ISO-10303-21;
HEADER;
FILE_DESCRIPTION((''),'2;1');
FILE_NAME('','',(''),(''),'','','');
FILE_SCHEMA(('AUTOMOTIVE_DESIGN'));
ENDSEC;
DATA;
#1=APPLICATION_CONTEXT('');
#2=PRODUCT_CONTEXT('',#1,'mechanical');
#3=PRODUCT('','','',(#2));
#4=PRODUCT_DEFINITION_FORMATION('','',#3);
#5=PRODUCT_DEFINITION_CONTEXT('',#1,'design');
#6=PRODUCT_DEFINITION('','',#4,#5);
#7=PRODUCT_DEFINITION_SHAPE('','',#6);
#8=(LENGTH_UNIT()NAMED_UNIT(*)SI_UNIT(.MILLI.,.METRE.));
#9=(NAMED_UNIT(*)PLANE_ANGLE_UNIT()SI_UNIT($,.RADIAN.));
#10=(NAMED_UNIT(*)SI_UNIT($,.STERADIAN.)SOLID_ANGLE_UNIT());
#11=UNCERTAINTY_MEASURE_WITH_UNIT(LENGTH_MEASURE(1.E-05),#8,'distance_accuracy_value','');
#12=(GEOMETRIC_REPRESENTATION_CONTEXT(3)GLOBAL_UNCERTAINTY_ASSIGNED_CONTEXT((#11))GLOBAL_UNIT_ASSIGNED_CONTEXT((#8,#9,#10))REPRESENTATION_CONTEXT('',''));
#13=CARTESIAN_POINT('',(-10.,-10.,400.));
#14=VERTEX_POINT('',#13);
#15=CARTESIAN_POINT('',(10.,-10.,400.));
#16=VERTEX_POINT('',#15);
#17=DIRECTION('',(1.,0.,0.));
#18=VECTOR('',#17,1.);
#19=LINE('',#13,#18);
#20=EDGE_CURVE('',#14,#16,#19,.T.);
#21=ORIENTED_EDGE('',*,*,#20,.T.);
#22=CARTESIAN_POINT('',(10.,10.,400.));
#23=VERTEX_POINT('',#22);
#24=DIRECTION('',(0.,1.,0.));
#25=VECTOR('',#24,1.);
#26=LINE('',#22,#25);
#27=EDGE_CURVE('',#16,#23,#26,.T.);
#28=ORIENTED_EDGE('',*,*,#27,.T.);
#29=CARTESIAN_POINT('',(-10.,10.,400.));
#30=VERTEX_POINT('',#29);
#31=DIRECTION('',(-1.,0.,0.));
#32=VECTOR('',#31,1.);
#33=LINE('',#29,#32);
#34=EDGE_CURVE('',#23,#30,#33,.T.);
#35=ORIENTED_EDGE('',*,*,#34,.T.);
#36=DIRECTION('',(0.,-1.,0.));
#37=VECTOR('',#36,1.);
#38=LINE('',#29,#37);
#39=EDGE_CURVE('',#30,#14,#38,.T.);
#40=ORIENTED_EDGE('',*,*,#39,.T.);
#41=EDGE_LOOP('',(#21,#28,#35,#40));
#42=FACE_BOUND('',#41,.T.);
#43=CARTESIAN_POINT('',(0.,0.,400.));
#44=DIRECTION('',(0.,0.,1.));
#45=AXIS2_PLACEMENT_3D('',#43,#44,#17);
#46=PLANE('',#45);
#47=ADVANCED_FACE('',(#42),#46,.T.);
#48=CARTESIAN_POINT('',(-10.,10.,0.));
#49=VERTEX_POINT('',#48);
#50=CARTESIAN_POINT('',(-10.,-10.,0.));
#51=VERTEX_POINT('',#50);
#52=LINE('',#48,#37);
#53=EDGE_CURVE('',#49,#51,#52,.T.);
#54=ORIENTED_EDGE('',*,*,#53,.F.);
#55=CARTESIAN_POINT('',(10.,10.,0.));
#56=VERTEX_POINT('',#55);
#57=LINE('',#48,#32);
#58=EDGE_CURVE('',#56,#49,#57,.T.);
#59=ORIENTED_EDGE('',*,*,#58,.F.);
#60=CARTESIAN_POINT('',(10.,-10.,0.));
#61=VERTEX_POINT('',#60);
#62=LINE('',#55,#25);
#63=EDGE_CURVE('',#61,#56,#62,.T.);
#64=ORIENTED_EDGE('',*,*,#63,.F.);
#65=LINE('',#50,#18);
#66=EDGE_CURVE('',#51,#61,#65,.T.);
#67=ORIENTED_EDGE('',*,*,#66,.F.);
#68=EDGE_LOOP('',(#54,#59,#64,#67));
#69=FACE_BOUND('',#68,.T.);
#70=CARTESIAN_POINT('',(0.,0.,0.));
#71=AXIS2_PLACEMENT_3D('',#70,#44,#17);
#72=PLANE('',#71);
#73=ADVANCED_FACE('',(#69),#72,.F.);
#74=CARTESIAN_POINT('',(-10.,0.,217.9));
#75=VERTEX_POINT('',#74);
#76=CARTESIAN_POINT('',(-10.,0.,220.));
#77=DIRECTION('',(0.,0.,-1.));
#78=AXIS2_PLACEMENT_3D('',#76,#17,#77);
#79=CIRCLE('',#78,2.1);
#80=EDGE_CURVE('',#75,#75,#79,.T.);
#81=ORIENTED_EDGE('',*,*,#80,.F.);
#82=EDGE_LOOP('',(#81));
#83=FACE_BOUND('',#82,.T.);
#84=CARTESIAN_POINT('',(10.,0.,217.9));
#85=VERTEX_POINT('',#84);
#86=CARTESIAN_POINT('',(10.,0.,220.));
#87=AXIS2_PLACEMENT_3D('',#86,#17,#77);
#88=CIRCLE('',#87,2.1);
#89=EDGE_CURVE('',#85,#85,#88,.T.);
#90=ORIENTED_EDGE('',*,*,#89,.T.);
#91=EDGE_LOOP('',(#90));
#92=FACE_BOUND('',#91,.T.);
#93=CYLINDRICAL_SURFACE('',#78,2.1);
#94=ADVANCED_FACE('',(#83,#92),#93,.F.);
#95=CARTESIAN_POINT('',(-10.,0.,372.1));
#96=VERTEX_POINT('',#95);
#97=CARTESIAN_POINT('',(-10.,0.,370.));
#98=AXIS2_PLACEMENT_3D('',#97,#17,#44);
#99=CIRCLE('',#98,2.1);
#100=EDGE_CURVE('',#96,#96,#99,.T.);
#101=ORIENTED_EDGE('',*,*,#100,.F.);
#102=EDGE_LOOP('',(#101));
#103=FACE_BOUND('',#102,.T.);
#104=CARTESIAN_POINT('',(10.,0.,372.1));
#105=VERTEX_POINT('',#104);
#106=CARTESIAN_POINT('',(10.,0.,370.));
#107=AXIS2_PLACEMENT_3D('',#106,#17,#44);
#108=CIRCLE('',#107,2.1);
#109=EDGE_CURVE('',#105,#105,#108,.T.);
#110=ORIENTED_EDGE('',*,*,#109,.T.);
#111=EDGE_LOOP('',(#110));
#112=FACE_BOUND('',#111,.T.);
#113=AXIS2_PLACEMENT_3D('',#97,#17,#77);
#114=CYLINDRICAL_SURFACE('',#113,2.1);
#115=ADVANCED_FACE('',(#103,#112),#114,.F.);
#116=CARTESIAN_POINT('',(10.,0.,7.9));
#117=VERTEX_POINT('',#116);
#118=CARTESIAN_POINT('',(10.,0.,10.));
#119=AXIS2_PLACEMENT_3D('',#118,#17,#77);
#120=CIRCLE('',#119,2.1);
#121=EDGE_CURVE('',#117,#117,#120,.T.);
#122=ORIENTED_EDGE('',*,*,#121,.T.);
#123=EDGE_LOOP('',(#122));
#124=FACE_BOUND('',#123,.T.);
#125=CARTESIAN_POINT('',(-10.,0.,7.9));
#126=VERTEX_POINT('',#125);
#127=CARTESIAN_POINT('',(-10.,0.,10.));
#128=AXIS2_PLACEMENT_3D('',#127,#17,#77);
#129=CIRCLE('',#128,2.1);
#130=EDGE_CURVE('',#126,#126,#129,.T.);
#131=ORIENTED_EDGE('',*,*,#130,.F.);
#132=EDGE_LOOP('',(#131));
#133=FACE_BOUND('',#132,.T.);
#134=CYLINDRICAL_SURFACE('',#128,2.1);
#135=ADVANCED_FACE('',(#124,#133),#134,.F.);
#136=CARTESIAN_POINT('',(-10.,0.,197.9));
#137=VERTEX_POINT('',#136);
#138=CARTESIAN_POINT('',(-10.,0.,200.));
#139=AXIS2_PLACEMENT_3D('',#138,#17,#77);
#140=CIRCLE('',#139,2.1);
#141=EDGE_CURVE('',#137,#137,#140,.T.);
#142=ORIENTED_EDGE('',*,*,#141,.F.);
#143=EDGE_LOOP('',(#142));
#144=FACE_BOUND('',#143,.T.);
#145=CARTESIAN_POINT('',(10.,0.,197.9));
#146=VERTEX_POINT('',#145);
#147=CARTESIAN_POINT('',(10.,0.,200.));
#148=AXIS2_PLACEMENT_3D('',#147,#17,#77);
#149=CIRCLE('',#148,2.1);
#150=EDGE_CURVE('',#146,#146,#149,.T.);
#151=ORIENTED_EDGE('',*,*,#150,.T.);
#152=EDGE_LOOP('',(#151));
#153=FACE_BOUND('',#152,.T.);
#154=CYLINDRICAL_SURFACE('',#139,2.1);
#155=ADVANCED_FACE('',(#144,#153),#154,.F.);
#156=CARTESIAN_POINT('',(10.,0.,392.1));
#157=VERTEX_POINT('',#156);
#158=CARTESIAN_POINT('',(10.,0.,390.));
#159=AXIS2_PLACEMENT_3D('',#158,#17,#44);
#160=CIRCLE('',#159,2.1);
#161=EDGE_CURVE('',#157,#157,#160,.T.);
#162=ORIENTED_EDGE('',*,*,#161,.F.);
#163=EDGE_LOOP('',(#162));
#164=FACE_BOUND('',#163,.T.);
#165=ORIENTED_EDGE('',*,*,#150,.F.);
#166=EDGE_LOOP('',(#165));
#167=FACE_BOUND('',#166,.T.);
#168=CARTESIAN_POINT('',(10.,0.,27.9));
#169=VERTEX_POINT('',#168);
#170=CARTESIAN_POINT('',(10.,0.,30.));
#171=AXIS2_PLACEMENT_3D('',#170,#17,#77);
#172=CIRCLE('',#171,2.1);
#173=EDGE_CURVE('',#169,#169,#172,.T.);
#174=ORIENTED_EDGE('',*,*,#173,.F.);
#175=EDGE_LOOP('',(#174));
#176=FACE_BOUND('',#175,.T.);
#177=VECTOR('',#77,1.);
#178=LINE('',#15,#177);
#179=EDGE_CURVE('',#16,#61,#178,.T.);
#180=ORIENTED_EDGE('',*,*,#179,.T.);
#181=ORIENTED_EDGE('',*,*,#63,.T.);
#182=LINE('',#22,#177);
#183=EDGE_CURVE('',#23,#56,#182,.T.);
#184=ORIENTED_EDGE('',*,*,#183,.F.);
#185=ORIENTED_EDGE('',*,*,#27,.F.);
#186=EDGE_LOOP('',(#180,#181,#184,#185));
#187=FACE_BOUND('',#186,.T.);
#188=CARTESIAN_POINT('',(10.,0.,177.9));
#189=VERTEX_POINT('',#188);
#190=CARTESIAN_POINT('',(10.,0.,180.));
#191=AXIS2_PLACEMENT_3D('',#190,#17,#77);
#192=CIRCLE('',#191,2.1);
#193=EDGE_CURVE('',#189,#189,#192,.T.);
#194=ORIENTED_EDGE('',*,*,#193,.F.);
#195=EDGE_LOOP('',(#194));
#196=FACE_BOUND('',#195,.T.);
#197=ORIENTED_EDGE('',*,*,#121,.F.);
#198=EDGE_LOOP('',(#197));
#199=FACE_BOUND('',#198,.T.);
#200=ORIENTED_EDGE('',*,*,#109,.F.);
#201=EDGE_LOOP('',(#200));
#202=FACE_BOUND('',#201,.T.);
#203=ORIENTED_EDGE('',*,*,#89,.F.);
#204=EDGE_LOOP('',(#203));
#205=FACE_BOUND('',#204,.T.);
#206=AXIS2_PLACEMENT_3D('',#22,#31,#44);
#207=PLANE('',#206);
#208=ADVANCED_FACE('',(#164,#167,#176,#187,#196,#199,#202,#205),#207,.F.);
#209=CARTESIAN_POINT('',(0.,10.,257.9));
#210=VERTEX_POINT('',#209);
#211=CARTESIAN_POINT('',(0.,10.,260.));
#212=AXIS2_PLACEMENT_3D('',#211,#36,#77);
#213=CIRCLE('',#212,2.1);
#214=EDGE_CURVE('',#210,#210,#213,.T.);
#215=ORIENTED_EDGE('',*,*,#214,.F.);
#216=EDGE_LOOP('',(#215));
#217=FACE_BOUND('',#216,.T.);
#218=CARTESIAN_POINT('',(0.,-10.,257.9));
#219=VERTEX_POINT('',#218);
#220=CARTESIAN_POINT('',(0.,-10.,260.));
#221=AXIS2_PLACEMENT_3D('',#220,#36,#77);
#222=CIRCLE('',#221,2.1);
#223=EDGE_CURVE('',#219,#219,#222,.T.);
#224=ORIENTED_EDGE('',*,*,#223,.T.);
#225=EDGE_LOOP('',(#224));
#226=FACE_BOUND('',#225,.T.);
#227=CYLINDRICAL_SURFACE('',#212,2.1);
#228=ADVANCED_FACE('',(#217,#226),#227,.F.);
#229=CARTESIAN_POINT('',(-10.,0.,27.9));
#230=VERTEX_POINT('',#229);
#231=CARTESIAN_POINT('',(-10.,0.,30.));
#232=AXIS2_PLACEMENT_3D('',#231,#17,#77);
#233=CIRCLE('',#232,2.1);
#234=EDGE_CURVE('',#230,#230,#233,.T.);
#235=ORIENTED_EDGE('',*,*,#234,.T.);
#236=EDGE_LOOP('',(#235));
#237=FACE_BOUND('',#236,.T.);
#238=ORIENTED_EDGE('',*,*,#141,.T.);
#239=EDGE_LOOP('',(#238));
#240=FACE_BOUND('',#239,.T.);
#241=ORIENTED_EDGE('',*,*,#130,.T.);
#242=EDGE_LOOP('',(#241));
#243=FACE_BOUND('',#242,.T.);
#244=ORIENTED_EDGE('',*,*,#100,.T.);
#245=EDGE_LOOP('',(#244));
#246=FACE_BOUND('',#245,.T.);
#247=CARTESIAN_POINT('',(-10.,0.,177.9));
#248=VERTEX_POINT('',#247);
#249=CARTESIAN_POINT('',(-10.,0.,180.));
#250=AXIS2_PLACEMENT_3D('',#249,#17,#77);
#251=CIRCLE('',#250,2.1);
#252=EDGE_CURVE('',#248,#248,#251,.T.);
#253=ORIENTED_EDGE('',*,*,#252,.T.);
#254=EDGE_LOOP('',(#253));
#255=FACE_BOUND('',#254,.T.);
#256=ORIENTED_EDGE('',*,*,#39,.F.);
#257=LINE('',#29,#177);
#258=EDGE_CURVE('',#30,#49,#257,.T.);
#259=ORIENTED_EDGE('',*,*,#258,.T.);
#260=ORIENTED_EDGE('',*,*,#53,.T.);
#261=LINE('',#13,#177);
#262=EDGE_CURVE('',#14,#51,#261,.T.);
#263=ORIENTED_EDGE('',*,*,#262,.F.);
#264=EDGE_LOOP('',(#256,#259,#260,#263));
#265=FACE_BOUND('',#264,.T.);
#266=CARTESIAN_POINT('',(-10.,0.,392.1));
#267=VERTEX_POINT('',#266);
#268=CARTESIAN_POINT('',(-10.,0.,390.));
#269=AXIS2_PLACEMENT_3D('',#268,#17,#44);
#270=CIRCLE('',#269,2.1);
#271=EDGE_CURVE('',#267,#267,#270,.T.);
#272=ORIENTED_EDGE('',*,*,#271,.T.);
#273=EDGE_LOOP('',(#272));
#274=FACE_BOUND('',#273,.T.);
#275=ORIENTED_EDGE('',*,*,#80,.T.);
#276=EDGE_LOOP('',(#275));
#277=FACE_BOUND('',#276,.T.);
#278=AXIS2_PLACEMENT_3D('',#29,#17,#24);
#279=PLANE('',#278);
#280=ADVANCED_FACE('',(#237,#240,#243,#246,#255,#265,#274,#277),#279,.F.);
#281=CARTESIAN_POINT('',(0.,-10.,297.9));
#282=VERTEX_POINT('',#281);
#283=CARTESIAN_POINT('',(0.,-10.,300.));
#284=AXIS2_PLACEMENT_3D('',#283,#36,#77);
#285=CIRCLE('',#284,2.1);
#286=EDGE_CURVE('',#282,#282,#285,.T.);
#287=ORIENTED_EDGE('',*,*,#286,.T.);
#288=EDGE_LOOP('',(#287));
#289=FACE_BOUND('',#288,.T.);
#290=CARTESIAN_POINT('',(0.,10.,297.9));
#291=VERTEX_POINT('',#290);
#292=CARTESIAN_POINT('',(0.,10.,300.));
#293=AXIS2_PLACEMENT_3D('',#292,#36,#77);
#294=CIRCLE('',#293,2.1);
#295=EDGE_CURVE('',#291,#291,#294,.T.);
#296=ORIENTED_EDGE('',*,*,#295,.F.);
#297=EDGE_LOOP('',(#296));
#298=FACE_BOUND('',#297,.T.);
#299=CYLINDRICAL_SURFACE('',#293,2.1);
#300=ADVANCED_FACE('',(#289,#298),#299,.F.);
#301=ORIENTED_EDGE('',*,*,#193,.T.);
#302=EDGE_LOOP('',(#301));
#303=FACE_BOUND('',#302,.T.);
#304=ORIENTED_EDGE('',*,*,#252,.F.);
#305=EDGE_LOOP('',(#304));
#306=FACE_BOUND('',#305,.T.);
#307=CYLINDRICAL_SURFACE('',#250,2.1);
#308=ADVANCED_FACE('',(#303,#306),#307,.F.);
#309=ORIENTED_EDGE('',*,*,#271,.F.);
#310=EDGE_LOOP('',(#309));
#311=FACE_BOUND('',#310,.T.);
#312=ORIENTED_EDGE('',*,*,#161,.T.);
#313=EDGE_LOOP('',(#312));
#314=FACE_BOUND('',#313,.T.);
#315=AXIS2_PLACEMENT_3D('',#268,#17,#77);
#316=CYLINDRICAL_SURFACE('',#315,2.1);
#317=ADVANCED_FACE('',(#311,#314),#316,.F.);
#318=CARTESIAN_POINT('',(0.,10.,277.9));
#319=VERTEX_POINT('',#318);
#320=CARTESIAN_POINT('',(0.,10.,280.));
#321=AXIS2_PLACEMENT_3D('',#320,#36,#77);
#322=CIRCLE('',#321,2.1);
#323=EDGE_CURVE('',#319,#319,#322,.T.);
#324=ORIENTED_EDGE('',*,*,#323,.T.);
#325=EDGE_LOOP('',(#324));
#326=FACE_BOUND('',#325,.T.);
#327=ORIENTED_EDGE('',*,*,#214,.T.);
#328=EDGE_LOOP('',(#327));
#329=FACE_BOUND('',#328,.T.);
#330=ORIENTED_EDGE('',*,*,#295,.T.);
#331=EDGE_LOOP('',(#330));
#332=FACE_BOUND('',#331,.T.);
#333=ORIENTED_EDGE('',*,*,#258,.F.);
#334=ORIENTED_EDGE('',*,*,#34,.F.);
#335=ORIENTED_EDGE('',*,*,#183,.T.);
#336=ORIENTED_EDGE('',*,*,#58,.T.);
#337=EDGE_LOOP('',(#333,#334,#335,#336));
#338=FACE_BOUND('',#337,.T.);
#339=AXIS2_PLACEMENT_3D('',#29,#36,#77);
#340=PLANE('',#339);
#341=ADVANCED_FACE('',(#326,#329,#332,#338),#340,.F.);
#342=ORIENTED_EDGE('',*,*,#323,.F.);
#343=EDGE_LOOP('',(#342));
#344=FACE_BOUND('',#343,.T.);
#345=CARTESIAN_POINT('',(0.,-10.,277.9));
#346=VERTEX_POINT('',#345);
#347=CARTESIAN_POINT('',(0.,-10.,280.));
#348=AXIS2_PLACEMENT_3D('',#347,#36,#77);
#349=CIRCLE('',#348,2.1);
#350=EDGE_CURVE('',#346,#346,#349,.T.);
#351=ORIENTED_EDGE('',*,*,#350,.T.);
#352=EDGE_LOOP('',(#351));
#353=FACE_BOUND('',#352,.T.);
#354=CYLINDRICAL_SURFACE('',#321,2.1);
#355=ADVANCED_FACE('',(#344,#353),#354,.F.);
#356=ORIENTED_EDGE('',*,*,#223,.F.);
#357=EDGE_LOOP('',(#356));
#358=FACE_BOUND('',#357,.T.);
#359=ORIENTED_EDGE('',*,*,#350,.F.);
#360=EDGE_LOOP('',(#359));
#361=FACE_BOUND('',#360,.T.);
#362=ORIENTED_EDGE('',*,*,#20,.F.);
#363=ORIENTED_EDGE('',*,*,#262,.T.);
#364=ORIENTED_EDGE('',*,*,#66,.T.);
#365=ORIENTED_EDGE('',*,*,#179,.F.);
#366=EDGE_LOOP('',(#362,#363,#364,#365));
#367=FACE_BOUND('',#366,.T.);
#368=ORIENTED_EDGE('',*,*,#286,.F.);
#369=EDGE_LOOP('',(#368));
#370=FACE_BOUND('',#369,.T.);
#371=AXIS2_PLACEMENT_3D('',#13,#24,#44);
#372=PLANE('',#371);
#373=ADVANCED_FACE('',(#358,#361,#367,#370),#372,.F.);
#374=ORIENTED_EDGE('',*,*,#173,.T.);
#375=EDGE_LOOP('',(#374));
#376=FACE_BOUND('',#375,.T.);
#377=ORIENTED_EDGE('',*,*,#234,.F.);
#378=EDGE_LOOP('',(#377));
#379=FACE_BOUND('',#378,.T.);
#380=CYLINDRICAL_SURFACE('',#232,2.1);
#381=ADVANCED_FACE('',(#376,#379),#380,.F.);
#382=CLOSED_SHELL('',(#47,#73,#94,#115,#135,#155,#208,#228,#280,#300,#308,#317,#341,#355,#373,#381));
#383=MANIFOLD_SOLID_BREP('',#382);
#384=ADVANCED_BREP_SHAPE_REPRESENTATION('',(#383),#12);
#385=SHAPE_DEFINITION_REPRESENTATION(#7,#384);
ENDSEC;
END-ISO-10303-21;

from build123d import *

# Parameters (mm, degrees)
SKETCH_1_W          = 20
SKETCH_1_H          = 20
EXTRUDE_1_DEPTH     = 400
SKETCH_2_R          = 2.1
CUT_EXTRUDE_1_DEPTH = 401.62451248
SKETCH_3_R          = 2.1
CUT_EXTRUDE_2_DEPTH = 401.62451248
SKETCH_4_R          = 2.1
CUT_EXTRUDE_3_DEPTH = 401.62451248


with BuildPart() as part:
    # 草图1 → 凸台-拉伸1 (new body)
    with BuildSketch(Plane.XY):
        Rectangle(SKETCH_1_W, SKETCH_1_H)
    extrude(amount=EXTRUDE_1_DEPTH)

    # 草图2 → 切除-拉伸1 (cut, through all)
    with BuildSketch(Plane(origin=(10, 0, 0), x_dir=(0, 0, -1), z_dir=(1, 0, 0))):
        with Locations((-10, 0)):
            Circle(SKETCH_2_R)
        with Locations((-30, 0)):
            Circle(SKETCH_2_R)
        with Locations(Location((-390, 0, 0), (0, 0, 180))):
            Circle(SKETCH_2_R)
        with Locations(Location((-370, 0, 0), (0, 0, 180))):
            Circle(SKETCH_2_R)
    extrude(amount=-CUT_EXTRUDE_1_DEPTH, mode=Mode.SUBTRACT)

    # 草图3 → 切除-拉伸2 (cut, through all)
    with BuildSketch(Plane(origin=(10, 0, 0), x_dir=(0, 0, -1), z_dir=(1, 0, 0))):
        with Locations((-220, 0)):
            Circle(SKETCH_3_R)
        with Locations((-200, 0)):
            Circle(SKETCH_3_R)
        with Locations((-180, 0)):
            Circle(SKETCH_3_R)
    extrude(amount=-CUT_EXTRUDE_2_DEPTH, mode=Mode.SUBTRACT)

    # 草图4 → 切除-拉伸3 (cut, through all)
    with BuildSketch(Plane.XZ.offset(10)):
        with Locations(Location((0, 300, 0), (0, 0, 270))):
            Circle(SKETCH_4_R)
        with Locations(Location((0, 280, 0), (0, 0, 270))):
            Circle(SKETCH_4_R)
        with Locations(Location((0, 260, 0), (0, 0, 270))):
            Circle(SKETCH_4_R)
    extrude(amount=-CUT_EXTRUDE_3_DEPTH, mode=Mode.SUBTRACT)


solid = part.part
